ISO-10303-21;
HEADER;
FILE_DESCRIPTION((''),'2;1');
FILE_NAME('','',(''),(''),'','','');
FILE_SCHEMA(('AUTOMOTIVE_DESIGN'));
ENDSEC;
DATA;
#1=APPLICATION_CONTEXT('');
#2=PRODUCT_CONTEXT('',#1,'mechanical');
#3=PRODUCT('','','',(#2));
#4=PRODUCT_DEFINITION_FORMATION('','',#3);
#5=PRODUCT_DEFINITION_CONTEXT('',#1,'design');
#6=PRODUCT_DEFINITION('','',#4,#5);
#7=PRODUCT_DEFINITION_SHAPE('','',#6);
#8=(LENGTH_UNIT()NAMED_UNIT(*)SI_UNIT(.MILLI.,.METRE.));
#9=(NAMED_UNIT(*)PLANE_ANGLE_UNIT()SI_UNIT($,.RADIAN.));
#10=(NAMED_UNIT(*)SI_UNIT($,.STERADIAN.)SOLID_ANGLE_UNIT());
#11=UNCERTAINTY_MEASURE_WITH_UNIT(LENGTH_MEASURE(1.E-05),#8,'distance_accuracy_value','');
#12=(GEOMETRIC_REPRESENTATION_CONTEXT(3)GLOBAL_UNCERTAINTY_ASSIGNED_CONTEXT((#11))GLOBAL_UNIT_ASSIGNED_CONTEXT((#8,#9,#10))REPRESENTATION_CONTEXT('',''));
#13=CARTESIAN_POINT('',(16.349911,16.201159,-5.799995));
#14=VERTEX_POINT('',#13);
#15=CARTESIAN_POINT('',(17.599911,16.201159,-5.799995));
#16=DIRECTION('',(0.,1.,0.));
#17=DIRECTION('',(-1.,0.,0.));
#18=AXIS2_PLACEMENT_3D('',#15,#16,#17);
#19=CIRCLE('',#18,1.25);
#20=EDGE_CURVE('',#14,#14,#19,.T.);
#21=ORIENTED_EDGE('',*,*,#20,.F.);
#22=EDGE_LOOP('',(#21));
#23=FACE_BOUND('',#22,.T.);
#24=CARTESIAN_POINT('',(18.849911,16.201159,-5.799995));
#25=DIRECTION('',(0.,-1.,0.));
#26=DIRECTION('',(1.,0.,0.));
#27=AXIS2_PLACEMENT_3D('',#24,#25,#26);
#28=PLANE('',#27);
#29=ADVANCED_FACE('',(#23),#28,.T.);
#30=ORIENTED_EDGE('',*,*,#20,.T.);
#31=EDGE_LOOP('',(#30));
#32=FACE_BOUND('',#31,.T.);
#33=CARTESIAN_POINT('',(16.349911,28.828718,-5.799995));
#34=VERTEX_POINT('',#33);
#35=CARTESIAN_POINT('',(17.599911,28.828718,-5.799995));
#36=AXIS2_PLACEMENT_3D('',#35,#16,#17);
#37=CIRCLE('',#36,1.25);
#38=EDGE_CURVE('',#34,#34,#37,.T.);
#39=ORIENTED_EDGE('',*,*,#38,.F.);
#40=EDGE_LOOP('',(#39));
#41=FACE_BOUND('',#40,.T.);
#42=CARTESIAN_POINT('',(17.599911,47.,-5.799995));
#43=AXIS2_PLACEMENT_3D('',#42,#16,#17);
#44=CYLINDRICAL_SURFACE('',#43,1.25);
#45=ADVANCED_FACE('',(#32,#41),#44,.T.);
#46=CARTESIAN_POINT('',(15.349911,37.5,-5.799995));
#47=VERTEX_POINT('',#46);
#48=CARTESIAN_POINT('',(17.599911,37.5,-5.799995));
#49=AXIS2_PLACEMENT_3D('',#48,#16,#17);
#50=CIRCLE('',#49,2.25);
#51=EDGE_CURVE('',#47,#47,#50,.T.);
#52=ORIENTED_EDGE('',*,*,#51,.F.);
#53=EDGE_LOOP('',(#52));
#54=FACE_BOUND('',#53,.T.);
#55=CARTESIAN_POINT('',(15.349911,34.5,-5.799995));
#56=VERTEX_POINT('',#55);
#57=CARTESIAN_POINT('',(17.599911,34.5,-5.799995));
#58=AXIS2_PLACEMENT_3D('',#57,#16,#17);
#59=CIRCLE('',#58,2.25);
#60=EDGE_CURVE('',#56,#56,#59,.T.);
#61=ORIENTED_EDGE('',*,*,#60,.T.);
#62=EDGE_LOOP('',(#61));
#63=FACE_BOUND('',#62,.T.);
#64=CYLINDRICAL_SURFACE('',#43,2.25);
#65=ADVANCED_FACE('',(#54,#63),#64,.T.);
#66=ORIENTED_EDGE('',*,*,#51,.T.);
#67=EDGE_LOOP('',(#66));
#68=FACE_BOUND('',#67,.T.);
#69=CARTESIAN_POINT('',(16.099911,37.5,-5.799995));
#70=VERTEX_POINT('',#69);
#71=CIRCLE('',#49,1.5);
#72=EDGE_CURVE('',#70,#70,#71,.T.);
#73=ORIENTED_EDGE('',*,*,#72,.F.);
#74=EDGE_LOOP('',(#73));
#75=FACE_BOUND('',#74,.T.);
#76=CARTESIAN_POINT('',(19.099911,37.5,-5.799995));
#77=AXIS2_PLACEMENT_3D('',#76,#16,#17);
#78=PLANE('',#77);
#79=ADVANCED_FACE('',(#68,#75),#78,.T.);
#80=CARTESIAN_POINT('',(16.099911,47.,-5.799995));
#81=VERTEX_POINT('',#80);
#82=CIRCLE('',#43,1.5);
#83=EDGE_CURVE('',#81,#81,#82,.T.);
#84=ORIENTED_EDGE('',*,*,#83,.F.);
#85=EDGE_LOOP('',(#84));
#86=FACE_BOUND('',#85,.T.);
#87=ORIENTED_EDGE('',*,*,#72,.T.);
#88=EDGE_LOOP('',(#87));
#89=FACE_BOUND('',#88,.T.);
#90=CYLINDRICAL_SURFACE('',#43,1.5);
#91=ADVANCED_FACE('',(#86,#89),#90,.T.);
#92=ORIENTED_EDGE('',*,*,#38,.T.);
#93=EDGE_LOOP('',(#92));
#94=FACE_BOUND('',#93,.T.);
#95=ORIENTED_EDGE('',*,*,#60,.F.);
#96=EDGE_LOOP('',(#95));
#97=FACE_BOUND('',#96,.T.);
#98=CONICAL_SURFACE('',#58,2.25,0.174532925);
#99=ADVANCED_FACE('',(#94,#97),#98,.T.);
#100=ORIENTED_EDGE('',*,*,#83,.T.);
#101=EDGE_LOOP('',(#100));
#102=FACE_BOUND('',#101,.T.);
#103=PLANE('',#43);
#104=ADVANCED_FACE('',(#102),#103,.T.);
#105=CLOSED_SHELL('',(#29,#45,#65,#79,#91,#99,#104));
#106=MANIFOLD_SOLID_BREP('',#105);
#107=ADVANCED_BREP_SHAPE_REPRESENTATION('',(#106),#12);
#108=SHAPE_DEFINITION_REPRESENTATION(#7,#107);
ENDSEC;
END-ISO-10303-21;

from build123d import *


with BuildPart() as part:
    # Эскиз1 → Повернуть1 (revolve)
    with BuildSketch(Plane(origin=(0, 0, -5.79999466), x_dir=(-1, 0, 0), z_dir=(0, 0, -1)), mode=Mode.PRIVATE) as revolve_1_sk:
        Polygon((-17.59991122, 47), (-19.09991122, 47), (-19.09991122, 37.5), (-19.84991122, 37.5), (-19.84991122, 34.5), (-18.84991122, 28.82871818), (-18.84991122, 16.20115928), (-17.59991122, 16.20115928), align=None)
    revolve(revolve_1_sk.sketch.rotate(Axis((17.59991122, 47, -5.79999466), (0, -1, 0)), 180), axis=Axis((17.59991122, 47, -5.79999466), (0, -1, 0)))


solid = part.part
